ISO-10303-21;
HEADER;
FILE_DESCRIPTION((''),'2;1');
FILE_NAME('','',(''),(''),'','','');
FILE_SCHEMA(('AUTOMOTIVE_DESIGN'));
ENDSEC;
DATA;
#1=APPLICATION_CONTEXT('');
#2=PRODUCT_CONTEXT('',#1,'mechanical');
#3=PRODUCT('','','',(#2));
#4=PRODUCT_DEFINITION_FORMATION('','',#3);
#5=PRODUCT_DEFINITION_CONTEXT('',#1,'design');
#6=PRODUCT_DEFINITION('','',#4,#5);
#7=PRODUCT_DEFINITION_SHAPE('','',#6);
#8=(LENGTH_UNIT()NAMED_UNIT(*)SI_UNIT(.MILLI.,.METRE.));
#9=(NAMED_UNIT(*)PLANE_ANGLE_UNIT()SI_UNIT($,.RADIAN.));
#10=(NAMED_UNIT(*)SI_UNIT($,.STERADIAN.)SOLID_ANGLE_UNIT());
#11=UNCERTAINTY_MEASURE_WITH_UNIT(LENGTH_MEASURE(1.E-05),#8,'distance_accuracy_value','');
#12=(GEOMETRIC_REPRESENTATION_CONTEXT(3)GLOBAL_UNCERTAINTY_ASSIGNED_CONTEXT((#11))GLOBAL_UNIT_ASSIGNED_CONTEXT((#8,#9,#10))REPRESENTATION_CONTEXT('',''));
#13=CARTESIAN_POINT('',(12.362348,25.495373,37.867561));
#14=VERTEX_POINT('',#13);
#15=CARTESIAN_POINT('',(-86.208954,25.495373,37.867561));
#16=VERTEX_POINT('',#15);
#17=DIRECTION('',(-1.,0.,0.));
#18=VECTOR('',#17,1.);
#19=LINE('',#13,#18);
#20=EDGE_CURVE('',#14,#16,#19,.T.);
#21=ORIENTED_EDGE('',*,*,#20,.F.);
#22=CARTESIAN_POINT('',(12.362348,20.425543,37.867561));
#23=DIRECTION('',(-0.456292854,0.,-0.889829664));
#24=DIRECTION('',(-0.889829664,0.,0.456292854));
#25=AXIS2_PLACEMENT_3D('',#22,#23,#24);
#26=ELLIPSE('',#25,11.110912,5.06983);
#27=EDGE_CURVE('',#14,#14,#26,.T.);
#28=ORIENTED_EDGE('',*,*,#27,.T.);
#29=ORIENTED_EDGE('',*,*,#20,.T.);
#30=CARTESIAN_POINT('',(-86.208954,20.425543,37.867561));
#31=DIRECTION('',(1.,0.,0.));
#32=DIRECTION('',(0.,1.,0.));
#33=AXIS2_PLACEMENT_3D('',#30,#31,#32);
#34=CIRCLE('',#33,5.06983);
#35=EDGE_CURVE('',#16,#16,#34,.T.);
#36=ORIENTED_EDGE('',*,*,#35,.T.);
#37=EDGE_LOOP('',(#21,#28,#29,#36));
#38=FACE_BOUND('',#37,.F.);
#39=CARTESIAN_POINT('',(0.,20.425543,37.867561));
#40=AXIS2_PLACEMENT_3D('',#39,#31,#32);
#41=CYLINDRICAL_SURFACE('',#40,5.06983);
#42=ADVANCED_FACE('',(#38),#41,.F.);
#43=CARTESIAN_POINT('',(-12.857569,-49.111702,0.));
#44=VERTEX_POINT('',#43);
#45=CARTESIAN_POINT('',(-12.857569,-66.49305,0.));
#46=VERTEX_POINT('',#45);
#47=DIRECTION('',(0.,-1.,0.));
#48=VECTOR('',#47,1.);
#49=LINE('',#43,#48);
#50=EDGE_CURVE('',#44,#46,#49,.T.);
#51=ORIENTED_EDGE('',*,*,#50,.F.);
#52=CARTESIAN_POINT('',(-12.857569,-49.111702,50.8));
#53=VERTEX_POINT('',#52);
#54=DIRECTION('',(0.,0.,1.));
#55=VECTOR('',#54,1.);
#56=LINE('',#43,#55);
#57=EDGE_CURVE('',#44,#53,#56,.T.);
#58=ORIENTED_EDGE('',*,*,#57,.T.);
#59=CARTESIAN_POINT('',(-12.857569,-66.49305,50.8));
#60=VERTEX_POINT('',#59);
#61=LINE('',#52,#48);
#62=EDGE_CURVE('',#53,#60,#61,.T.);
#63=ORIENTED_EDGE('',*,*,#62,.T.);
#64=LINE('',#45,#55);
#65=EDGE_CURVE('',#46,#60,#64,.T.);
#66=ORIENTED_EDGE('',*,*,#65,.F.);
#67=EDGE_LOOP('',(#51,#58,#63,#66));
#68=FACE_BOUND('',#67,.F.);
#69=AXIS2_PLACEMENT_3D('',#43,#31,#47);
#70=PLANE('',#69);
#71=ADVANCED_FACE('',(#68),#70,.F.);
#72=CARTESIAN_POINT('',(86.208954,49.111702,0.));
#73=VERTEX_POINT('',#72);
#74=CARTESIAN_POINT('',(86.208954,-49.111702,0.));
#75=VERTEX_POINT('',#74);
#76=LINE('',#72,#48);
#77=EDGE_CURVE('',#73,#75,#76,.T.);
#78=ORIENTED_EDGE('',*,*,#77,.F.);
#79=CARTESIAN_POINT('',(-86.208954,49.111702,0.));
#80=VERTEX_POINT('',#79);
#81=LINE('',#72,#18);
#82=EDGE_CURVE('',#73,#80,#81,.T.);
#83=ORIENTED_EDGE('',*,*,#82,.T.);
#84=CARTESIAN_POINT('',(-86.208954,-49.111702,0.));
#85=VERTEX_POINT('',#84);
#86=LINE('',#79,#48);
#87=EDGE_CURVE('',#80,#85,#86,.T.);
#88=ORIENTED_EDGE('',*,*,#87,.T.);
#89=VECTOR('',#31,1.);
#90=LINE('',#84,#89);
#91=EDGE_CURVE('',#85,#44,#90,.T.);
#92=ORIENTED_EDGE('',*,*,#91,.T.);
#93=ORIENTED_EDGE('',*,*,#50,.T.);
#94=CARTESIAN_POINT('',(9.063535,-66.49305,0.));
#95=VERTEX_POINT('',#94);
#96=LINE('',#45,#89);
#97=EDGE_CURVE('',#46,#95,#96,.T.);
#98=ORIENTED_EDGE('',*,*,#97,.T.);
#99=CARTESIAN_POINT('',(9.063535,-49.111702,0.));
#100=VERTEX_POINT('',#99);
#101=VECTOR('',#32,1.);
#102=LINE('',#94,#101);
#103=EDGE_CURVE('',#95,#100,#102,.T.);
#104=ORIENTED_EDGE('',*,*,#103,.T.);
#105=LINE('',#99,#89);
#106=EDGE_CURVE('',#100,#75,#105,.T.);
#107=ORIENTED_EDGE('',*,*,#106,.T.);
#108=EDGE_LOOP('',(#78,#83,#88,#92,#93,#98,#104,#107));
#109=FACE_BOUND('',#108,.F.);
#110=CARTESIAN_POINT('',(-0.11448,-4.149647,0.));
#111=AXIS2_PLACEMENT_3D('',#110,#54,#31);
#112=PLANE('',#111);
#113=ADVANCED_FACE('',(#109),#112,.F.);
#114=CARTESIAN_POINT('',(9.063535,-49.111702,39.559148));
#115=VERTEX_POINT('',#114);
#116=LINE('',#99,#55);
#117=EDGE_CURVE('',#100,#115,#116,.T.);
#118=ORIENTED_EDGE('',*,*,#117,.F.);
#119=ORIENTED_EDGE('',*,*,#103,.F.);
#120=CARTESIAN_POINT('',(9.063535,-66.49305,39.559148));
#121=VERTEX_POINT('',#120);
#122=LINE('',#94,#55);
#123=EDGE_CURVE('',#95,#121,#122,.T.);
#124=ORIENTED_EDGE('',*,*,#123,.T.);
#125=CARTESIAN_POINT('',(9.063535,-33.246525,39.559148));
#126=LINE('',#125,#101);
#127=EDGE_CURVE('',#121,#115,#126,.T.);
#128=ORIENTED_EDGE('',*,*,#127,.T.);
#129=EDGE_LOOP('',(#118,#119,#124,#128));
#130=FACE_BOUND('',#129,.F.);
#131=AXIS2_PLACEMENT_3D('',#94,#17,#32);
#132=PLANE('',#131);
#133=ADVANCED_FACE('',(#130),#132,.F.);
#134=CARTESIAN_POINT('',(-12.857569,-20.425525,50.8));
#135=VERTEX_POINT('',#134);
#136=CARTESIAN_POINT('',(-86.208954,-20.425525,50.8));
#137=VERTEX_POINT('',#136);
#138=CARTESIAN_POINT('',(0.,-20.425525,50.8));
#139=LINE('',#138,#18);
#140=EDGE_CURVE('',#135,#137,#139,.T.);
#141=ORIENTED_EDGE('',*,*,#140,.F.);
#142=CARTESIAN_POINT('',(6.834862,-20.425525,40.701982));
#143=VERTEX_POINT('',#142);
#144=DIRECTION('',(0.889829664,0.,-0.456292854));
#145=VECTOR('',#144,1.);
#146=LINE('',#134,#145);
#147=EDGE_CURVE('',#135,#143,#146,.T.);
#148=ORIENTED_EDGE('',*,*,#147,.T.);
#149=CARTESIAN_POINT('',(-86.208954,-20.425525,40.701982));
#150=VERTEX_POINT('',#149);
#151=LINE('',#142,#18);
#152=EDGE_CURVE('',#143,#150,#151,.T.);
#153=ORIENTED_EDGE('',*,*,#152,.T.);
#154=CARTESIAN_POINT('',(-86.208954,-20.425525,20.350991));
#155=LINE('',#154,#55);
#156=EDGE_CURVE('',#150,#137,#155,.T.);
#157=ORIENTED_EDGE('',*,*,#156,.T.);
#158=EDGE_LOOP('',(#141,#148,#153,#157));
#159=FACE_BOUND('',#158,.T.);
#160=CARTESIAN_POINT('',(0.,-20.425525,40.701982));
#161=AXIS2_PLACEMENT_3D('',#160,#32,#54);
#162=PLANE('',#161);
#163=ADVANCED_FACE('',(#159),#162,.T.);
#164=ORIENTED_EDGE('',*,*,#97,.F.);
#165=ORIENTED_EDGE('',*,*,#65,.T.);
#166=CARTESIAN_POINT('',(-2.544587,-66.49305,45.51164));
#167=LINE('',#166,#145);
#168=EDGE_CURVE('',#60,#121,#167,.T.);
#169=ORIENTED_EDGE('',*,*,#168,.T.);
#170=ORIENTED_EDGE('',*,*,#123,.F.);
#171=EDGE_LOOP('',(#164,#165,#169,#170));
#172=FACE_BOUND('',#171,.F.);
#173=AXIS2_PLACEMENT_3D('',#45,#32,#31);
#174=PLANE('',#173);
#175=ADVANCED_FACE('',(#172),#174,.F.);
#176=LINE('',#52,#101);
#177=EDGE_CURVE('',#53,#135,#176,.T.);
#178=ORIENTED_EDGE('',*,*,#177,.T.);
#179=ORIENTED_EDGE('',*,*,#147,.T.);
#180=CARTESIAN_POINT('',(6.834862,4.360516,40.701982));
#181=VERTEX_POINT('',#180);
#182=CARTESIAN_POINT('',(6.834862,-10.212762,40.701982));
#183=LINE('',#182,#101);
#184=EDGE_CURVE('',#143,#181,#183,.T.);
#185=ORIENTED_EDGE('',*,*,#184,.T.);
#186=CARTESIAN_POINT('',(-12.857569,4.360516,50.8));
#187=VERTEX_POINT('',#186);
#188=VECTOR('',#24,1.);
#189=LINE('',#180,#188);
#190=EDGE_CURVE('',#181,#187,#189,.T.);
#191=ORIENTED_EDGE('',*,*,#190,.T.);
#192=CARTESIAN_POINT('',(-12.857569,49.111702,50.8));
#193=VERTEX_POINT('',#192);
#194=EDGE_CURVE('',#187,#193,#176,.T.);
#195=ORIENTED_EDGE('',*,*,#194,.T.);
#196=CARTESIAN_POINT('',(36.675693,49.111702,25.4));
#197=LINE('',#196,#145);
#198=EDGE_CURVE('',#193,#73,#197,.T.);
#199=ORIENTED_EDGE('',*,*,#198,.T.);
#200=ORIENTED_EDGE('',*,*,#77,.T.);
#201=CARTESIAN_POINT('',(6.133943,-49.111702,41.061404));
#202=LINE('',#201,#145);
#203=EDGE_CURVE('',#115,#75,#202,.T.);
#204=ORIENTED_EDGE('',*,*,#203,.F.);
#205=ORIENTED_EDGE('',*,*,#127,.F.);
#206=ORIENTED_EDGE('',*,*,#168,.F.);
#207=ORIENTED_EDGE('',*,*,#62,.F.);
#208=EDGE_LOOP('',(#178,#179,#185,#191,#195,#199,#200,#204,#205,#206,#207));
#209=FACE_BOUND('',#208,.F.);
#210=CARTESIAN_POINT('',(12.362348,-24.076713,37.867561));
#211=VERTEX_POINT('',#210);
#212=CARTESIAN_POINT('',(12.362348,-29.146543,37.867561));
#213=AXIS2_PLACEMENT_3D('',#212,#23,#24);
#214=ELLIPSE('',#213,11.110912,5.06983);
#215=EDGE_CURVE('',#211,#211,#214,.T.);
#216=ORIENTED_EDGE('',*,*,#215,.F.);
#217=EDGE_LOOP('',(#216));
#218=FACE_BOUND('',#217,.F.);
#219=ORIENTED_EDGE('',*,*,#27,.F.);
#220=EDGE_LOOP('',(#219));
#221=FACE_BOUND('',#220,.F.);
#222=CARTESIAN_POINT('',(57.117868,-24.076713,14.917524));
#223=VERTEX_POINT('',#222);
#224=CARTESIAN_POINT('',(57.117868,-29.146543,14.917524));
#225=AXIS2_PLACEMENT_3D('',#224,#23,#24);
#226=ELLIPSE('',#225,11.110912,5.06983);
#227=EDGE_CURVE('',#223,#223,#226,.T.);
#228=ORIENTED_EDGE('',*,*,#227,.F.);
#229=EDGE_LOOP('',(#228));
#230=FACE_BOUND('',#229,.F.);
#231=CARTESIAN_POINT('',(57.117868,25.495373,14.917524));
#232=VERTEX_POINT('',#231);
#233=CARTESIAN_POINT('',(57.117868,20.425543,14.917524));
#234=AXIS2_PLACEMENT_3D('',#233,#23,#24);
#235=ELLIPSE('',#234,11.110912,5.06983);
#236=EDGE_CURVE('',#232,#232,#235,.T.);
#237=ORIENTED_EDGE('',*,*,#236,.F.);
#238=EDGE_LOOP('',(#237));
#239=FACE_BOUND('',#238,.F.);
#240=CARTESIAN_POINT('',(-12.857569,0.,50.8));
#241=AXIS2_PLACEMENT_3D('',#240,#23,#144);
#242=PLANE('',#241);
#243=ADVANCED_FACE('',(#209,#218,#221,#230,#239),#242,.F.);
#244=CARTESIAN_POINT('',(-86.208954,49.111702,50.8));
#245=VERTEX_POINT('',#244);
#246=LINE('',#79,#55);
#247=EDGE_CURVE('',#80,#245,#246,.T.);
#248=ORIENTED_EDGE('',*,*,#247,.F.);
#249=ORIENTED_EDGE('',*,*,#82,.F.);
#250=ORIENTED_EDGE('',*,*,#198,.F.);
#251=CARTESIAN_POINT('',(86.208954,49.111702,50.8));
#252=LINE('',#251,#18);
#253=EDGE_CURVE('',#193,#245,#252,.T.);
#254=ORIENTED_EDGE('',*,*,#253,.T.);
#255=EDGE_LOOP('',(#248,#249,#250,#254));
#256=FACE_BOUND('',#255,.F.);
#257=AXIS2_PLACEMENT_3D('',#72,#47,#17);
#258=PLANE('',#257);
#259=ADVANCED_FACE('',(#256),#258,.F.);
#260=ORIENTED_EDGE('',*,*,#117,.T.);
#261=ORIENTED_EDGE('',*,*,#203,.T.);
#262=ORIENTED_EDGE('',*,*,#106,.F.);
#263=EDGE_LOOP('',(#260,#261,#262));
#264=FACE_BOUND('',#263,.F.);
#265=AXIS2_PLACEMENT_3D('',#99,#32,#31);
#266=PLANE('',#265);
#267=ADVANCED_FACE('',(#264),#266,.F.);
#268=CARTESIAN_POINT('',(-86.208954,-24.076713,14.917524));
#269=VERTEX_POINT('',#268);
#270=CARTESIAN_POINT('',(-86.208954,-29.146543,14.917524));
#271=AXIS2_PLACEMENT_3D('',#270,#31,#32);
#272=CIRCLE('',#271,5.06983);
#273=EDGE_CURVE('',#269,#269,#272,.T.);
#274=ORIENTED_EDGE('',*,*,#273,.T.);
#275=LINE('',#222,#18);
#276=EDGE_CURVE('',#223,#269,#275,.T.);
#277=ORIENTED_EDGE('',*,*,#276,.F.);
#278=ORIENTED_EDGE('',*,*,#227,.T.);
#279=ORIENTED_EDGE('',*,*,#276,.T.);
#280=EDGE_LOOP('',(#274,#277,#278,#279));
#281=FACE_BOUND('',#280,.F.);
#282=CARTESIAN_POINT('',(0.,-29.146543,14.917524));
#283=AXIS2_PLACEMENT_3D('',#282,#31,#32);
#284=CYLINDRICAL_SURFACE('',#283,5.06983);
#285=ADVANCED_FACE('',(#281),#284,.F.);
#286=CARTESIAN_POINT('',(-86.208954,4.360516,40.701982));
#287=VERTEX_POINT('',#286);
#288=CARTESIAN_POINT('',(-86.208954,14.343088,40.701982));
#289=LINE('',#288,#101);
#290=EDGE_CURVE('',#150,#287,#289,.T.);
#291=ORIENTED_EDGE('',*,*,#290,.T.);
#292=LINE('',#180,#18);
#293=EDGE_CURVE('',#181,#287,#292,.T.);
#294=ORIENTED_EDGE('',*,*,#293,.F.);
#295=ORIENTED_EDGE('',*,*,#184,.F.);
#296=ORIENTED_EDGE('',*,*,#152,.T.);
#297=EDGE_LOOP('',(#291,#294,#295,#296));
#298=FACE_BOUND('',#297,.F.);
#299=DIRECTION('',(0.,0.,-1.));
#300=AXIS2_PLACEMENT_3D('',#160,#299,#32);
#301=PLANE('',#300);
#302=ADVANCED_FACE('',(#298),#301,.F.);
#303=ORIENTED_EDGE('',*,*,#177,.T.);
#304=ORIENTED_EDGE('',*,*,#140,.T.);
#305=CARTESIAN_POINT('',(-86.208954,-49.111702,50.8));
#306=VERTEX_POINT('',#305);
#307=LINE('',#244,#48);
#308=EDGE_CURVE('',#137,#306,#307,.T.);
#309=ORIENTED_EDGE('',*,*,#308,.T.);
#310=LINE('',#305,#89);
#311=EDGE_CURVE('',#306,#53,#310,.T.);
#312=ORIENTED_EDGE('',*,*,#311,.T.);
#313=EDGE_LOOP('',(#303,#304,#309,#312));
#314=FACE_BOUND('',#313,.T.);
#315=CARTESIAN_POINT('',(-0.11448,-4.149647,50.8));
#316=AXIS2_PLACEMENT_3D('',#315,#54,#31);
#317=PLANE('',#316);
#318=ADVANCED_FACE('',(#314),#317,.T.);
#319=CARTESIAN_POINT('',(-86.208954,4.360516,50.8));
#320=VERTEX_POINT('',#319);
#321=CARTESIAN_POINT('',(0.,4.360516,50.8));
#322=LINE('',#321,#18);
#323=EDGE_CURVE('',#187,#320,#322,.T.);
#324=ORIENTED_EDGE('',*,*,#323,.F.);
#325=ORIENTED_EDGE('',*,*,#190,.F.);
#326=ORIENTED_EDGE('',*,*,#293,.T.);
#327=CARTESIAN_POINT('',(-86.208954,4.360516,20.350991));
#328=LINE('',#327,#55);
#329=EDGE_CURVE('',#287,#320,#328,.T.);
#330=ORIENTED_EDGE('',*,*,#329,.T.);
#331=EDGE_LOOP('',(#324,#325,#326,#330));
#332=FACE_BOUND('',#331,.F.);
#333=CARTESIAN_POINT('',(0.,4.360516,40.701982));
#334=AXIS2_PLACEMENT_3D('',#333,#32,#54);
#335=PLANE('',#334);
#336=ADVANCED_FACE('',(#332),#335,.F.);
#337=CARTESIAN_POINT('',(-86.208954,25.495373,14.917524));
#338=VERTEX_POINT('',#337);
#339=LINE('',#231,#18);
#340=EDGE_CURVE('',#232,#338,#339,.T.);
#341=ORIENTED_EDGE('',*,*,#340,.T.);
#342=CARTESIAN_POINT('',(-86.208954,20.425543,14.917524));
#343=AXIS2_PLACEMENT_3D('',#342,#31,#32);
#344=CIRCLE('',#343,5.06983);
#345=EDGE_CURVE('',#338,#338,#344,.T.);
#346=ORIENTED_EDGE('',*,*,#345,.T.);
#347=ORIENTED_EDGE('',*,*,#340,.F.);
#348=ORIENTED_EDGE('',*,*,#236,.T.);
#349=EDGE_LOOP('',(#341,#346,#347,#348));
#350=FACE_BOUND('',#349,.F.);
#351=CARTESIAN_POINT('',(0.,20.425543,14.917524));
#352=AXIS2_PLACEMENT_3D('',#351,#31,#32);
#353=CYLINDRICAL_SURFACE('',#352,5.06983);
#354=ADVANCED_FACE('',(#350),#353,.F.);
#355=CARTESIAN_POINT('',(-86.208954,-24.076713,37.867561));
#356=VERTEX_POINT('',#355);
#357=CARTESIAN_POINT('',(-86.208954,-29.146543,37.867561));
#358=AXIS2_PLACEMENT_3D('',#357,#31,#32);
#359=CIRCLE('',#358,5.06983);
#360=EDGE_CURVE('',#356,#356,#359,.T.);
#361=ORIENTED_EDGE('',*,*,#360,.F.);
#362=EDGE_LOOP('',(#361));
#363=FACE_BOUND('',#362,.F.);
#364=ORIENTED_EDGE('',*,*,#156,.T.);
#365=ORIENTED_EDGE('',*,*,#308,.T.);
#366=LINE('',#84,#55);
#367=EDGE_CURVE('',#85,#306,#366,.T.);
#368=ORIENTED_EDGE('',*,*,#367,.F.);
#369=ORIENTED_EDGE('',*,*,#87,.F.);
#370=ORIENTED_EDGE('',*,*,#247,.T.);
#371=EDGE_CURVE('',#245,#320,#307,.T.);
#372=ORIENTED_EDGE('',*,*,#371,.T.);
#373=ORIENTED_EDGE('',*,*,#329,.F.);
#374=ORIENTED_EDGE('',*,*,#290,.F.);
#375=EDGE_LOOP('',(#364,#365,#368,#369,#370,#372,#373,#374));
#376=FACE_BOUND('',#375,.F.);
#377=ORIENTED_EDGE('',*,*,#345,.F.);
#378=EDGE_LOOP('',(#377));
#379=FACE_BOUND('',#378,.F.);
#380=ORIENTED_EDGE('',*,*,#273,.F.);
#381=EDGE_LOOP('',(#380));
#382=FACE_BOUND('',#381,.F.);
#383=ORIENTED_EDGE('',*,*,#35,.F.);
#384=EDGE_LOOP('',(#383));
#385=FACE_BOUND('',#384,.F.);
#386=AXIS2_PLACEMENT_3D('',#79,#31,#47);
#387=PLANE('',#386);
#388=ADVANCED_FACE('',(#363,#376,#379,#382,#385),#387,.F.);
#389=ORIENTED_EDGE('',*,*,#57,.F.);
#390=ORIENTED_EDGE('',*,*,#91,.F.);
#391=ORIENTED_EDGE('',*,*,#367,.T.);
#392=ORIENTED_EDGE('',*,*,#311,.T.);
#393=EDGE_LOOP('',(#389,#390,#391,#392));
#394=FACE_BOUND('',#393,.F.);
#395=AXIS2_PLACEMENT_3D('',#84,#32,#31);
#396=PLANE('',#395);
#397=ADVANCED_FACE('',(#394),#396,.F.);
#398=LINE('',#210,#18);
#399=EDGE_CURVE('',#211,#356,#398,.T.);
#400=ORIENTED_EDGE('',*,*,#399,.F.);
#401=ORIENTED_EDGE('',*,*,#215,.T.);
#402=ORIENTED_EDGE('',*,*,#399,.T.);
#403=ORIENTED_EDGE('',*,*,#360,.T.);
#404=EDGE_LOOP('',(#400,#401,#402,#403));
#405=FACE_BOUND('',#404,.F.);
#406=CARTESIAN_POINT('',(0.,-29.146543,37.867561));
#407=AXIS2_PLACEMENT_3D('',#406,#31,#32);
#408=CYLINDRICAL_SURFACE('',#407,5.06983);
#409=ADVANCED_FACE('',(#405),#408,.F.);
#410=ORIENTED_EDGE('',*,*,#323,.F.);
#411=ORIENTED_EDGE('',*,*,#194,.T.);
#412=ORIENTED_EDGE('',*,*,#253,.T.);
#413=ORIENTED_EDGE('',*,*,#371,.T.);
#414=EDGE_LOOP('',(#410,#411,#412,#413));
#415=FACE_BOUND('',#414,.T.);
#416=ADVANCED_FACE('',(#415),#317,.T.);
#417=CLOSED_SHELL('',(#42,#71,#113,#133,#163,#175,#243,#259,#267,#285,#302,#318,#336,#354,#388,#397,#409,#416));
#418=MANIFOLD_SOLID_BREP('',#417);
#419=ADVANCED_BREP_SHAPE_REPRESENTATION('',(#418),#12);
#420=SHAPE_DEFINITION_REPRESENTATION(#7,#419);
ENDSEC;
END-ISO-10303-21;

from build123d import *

# Parameters (mm, degrees)
F1_DEPTH      = 50.8
F3_DEPTH      = 49.1127015481
F3_DEPTH_BACK = 66.494050136
F4_R          = 5.0698297576
F4_W          = 24.7860401869
F4_H          = 10.0980177522
F5_DEPTH      = 86.2099544535
F5_DEPTH_BACK = 86.2099544535


with BuildPart() as f1:
    # F0 (on Top) → F1 (new body)
    with BuildSketch(Plane.XY):
        Polygon((-86.2089544535, 49.1117015481), (-86.2089544535, -49.1117015481), (-12.8575693816, -49.1117015481), (-12.8575693816, -66.493050136), (9.0635353699, -66.493050136), (9.0635353699, -49.1117015481), (86.2089544535, -49.1117015481), (86.2089544535, 49.1117015481), align=None)
    extrude(amount=F1_DEPTH)

    # F2 (on Front) → F3 (cut, two sides)
    with BuildSketch(Plane.XZ) as f3_sk:
        Polygon((9.0635353699, 50.8), (-12.8575693816, 50.8), (86.2089544535, 0), (86.2089544535, 50.8), align=None)
    extrude(amount=-F3_DEPTH, mode=Mode.SUBTRACT)
    extrude(f3_sk.sketch, amount=F3_DEPTH_BACK, mode=Mode.SUBTRACT)

    # F4 (on Right) → F5 (cut, two sides)
    with BuildSketch(Plane.YZ) as f5_sk:
        with Locations((-29.1465427727, 37.8675609827)):
            Circle(F4_R)
        with Locations((-29.1465427727, 14.9175236002)):
            Circle(F4_R)
        with Locations((20.425543189, 14.9175236002)):
            Circle(F4_R)
        with Locations((20.425543189, 37.8675609827)):
            Circle(F4_R)
        with Locations((-8.0325044692, 45.7509911239)):
            Rectangle(F4_W, F4_H)
    extrude(amount=-F5_DEPTH, mode=Mode.SUBTRACT)
    extrude(f5_sk.sketch, amount=F5_DEPTH_BACK, mode=Mode.SUBTRACT)


solid = f1.part
